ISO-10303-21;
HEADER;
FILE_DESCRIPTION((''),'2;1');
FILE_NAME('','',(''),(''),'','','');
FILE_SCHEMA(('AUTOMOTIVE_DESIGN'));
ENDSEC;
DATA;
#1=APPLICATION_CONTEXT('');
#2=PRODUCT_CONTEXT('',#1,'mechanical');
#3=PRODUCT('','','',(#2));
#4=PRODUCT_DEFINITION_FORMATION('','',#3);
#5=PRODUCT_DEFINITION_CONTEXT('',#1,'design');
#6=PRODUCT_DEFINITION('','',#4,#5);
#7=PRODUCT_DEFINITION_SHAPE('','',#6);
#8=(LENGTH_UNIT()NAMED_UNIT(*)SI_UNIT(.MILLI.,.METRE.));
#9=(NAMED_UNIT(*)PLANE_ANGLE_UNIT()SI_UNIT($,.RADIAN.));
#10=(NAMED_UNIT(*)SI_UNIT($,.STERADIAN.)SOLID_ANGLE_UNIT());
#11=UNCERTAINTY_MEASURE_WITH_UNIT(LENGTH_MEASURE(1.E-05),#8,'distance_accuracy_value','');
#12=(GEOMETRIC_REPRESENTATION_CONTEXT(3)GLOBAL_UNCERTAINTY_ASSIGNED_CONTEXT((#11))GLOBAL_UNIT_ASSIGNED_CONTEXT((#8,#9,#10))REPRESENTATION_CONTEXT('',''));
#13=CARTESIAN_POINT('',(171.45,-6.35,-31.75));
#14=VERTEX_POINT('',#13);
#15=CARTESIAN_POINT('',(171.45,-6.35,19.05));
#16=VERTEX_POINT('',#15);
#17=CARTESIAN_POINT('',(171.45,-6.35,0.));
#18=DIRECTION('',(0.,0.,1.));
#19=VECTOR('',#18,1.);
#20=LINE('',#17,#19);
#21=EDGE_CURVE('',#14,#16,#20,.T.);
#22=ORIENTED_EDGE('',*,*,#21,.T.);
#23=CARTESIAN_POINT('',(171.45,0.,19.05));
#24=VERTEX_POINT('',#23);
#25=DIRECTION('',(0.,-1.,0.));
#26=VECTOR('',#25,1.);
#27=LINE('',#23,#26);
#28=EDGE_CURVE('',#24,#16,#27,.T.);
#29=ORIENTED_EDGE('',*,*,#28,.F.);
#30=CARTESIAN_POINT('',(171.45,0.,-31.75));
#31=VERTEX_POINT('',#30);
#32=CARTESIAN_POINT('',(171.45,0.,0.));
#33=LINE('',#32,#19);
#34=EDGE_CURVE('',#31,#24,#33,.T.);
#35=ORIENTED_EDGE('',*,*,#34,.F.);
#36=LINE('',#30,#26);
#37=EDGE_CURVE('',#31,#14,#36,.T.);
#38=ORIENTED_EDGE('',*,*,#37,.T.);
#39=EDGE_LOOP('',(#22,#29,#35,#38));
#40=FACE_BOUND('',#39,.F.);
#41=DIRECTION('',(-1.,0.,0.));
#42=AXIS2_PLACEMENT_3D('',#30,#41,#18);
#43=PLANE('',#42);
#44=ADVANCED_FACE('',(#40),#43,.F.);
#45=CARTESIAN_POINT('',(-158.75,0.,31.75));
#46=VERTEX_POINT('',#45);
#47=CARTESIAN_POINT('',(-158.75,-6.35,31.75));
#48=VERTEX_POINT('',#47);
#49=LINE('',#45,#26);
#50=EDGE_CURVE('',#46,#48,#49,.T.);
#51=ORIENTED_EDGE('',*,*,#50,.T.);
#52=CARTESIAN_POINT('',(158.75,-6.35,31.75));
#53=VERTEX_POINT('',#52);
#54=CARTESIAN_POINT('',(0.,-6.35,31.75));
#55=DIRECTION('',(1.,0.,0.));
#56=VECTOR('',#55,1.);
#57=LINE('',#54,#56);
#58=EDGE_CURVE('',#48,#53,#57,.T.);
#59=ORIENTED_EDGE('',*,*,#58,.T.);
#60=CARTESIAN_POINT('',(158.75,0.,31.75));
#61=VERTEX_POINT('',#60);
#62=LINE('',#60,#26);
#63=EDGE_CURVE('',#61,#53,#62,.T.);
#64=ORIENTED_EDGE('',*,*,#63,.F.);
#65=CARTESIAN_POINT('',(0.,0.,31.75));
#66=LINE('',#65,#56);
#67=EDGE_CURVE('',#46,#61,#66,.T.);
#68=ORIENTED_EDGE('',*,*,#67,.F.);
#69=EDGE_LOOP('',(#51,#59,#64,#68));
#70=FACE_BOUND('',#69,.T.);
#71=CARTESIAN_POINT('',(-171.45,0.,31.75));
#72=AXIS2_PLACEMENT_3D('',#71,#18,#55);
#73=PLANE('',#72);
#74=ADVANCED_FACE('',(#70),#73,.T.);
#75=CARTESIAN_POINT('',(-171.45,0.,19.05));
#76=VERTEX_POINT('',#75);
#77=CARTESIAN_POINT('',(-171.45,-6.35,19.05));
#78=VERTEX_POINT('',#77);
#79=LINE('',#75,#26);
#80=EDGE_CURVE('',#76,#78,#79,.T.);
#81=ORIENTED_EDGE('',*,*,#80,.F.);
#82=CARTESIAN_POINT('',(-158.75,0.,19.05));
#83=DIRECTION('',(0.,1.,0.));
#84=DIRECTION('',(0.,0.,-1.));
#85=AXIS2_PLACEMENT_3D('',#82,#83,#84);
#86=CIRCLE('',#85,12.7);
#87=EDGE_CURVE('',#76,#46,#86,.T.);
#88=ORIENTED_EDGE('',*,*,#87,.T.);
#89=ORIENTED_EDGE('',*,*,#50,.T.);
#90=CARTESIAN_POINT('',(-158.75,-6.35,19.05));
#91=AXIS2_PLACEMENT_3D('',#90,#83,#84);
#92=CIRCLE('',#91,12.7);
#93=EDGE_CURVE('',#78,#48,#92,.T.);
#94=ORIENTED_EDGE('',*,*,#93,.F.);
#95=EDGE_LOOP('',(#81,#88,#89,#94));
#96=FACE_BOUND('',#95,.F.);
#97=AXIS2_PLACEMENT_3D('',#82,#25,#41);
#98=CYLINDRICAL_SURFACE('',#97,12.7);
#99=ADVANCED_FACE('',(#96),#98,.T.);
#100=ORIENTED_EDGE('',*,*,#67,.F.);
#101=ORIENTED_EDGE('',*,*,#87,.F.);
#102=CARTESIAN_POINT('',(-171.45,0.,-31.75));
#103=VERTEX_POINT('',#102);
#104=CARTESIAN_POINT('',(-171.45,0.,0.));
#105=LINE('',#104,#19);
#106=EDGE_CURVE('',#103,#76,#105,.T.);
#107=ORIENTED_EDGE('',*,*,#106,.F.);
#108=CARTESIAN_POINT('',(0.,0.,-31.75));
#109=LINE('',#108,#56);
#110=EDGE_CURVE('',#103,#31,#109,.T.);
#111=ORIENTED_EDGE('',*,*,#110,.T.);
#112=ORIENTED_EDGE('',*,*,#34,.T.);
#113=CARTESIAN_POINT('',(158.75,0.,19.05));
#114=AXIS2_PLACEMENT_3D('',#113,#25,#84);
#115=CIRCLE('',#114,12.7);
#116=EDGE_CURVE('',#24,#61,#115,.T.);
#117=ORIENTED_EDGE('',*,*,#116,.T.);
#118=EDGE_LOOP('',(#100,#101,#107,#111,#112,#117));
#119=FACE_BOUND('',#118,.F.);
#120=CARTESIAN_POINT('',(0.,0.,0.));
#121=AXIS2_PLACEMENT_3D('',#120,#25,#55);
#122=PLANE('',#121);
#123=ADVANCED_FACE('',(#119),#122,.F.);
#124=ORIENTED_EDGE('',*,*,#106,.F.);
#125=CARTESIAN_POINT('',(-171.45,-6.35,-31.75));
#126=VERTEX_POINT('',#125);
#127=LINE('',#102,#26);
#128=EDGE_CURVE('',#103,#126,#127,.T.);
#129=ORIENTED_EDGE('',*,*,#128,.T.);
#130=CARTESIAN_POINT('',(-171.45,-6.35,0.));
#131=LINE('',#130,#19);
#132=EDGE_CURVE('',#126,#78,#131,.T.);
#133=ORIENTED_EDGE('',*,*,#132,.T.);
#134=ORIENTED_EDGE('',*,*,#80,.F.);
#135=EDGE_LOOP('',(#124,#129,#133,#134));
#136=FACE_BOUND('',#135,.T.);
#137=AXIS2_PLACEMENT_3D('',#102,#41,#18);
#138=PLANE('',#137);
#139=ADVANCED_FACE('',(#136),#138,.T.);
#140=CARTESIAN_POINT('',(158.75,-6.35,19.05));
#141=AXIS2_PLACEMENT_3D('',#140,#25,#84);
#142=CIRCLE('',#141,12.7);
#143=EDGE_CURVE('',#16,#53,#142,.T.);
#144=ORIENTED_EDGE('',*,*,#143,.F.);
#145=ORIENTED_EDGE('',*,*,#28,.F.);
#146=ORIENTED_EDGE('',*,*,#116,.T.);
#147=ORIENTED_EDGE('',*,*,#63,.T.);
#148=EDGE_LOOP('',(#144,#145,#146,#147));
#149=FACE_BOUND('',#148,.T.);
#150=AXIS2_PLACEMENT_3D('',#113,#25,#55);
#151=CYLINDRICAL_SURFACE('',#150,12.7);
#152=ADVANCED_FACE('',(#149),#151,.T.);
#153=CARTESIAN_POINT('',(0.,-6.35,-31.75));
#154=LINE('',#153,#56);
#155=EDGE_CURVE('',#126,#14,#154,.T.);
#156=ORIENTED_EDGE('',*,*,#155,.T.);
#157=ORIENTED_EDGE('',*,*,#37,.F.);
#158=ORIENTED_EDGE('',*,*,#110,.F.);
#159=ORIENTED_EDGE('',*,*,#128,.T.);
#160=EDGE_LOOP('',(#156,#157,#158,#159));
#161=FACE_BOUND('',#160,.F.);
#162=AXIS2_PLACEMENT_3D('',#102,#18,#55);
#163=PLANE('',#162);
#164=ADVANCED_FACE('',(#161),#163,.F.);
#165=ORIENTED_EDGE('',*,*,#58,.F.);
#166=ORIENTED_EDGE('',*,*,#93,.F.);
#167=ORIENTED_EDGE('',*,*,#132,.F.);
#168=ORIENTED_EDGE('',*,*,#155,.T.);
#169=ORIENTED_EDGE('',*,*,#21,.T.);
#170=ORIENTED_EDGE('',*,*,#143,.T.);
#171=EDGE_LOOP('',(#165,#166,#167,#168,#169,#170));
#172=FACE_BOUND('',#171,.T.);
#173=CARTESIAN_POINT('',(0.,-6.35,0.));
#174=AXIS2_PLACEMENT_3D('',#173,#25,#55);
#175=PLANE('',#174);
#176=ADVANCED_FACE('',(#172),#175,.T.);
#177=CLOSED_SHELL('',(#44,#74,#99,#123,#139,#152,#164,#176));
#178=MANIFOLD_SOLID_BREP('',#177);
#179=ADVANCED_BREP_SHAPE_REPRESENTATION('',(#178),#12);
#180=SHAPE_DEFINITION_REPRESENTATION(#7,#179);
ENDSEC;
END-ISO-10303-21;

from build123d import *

# Parameters (mm, degrees)
F0_W     = 342.9
F0_H     = 63.5
F1_DEPTH = 6.35
F2_R     = 12.7


with BuildPart() as f1:
    # F0 (on Front) → F1 (new body)
    with BuildSketch(Plane.XZ):
        Rectangle(F0_W, F0_H)
    extrude(amount=F1_DEPTH)

    # F2
    f2_edges = [f1.edges().sort_by_distance(p)[0] for p in [
        (-171.45, -3.175, 31.75),
        (171.45, -3.175, 31.75),
    ]]
    fillet(f2_edges, radius=F2_R)


solid = f1.part
